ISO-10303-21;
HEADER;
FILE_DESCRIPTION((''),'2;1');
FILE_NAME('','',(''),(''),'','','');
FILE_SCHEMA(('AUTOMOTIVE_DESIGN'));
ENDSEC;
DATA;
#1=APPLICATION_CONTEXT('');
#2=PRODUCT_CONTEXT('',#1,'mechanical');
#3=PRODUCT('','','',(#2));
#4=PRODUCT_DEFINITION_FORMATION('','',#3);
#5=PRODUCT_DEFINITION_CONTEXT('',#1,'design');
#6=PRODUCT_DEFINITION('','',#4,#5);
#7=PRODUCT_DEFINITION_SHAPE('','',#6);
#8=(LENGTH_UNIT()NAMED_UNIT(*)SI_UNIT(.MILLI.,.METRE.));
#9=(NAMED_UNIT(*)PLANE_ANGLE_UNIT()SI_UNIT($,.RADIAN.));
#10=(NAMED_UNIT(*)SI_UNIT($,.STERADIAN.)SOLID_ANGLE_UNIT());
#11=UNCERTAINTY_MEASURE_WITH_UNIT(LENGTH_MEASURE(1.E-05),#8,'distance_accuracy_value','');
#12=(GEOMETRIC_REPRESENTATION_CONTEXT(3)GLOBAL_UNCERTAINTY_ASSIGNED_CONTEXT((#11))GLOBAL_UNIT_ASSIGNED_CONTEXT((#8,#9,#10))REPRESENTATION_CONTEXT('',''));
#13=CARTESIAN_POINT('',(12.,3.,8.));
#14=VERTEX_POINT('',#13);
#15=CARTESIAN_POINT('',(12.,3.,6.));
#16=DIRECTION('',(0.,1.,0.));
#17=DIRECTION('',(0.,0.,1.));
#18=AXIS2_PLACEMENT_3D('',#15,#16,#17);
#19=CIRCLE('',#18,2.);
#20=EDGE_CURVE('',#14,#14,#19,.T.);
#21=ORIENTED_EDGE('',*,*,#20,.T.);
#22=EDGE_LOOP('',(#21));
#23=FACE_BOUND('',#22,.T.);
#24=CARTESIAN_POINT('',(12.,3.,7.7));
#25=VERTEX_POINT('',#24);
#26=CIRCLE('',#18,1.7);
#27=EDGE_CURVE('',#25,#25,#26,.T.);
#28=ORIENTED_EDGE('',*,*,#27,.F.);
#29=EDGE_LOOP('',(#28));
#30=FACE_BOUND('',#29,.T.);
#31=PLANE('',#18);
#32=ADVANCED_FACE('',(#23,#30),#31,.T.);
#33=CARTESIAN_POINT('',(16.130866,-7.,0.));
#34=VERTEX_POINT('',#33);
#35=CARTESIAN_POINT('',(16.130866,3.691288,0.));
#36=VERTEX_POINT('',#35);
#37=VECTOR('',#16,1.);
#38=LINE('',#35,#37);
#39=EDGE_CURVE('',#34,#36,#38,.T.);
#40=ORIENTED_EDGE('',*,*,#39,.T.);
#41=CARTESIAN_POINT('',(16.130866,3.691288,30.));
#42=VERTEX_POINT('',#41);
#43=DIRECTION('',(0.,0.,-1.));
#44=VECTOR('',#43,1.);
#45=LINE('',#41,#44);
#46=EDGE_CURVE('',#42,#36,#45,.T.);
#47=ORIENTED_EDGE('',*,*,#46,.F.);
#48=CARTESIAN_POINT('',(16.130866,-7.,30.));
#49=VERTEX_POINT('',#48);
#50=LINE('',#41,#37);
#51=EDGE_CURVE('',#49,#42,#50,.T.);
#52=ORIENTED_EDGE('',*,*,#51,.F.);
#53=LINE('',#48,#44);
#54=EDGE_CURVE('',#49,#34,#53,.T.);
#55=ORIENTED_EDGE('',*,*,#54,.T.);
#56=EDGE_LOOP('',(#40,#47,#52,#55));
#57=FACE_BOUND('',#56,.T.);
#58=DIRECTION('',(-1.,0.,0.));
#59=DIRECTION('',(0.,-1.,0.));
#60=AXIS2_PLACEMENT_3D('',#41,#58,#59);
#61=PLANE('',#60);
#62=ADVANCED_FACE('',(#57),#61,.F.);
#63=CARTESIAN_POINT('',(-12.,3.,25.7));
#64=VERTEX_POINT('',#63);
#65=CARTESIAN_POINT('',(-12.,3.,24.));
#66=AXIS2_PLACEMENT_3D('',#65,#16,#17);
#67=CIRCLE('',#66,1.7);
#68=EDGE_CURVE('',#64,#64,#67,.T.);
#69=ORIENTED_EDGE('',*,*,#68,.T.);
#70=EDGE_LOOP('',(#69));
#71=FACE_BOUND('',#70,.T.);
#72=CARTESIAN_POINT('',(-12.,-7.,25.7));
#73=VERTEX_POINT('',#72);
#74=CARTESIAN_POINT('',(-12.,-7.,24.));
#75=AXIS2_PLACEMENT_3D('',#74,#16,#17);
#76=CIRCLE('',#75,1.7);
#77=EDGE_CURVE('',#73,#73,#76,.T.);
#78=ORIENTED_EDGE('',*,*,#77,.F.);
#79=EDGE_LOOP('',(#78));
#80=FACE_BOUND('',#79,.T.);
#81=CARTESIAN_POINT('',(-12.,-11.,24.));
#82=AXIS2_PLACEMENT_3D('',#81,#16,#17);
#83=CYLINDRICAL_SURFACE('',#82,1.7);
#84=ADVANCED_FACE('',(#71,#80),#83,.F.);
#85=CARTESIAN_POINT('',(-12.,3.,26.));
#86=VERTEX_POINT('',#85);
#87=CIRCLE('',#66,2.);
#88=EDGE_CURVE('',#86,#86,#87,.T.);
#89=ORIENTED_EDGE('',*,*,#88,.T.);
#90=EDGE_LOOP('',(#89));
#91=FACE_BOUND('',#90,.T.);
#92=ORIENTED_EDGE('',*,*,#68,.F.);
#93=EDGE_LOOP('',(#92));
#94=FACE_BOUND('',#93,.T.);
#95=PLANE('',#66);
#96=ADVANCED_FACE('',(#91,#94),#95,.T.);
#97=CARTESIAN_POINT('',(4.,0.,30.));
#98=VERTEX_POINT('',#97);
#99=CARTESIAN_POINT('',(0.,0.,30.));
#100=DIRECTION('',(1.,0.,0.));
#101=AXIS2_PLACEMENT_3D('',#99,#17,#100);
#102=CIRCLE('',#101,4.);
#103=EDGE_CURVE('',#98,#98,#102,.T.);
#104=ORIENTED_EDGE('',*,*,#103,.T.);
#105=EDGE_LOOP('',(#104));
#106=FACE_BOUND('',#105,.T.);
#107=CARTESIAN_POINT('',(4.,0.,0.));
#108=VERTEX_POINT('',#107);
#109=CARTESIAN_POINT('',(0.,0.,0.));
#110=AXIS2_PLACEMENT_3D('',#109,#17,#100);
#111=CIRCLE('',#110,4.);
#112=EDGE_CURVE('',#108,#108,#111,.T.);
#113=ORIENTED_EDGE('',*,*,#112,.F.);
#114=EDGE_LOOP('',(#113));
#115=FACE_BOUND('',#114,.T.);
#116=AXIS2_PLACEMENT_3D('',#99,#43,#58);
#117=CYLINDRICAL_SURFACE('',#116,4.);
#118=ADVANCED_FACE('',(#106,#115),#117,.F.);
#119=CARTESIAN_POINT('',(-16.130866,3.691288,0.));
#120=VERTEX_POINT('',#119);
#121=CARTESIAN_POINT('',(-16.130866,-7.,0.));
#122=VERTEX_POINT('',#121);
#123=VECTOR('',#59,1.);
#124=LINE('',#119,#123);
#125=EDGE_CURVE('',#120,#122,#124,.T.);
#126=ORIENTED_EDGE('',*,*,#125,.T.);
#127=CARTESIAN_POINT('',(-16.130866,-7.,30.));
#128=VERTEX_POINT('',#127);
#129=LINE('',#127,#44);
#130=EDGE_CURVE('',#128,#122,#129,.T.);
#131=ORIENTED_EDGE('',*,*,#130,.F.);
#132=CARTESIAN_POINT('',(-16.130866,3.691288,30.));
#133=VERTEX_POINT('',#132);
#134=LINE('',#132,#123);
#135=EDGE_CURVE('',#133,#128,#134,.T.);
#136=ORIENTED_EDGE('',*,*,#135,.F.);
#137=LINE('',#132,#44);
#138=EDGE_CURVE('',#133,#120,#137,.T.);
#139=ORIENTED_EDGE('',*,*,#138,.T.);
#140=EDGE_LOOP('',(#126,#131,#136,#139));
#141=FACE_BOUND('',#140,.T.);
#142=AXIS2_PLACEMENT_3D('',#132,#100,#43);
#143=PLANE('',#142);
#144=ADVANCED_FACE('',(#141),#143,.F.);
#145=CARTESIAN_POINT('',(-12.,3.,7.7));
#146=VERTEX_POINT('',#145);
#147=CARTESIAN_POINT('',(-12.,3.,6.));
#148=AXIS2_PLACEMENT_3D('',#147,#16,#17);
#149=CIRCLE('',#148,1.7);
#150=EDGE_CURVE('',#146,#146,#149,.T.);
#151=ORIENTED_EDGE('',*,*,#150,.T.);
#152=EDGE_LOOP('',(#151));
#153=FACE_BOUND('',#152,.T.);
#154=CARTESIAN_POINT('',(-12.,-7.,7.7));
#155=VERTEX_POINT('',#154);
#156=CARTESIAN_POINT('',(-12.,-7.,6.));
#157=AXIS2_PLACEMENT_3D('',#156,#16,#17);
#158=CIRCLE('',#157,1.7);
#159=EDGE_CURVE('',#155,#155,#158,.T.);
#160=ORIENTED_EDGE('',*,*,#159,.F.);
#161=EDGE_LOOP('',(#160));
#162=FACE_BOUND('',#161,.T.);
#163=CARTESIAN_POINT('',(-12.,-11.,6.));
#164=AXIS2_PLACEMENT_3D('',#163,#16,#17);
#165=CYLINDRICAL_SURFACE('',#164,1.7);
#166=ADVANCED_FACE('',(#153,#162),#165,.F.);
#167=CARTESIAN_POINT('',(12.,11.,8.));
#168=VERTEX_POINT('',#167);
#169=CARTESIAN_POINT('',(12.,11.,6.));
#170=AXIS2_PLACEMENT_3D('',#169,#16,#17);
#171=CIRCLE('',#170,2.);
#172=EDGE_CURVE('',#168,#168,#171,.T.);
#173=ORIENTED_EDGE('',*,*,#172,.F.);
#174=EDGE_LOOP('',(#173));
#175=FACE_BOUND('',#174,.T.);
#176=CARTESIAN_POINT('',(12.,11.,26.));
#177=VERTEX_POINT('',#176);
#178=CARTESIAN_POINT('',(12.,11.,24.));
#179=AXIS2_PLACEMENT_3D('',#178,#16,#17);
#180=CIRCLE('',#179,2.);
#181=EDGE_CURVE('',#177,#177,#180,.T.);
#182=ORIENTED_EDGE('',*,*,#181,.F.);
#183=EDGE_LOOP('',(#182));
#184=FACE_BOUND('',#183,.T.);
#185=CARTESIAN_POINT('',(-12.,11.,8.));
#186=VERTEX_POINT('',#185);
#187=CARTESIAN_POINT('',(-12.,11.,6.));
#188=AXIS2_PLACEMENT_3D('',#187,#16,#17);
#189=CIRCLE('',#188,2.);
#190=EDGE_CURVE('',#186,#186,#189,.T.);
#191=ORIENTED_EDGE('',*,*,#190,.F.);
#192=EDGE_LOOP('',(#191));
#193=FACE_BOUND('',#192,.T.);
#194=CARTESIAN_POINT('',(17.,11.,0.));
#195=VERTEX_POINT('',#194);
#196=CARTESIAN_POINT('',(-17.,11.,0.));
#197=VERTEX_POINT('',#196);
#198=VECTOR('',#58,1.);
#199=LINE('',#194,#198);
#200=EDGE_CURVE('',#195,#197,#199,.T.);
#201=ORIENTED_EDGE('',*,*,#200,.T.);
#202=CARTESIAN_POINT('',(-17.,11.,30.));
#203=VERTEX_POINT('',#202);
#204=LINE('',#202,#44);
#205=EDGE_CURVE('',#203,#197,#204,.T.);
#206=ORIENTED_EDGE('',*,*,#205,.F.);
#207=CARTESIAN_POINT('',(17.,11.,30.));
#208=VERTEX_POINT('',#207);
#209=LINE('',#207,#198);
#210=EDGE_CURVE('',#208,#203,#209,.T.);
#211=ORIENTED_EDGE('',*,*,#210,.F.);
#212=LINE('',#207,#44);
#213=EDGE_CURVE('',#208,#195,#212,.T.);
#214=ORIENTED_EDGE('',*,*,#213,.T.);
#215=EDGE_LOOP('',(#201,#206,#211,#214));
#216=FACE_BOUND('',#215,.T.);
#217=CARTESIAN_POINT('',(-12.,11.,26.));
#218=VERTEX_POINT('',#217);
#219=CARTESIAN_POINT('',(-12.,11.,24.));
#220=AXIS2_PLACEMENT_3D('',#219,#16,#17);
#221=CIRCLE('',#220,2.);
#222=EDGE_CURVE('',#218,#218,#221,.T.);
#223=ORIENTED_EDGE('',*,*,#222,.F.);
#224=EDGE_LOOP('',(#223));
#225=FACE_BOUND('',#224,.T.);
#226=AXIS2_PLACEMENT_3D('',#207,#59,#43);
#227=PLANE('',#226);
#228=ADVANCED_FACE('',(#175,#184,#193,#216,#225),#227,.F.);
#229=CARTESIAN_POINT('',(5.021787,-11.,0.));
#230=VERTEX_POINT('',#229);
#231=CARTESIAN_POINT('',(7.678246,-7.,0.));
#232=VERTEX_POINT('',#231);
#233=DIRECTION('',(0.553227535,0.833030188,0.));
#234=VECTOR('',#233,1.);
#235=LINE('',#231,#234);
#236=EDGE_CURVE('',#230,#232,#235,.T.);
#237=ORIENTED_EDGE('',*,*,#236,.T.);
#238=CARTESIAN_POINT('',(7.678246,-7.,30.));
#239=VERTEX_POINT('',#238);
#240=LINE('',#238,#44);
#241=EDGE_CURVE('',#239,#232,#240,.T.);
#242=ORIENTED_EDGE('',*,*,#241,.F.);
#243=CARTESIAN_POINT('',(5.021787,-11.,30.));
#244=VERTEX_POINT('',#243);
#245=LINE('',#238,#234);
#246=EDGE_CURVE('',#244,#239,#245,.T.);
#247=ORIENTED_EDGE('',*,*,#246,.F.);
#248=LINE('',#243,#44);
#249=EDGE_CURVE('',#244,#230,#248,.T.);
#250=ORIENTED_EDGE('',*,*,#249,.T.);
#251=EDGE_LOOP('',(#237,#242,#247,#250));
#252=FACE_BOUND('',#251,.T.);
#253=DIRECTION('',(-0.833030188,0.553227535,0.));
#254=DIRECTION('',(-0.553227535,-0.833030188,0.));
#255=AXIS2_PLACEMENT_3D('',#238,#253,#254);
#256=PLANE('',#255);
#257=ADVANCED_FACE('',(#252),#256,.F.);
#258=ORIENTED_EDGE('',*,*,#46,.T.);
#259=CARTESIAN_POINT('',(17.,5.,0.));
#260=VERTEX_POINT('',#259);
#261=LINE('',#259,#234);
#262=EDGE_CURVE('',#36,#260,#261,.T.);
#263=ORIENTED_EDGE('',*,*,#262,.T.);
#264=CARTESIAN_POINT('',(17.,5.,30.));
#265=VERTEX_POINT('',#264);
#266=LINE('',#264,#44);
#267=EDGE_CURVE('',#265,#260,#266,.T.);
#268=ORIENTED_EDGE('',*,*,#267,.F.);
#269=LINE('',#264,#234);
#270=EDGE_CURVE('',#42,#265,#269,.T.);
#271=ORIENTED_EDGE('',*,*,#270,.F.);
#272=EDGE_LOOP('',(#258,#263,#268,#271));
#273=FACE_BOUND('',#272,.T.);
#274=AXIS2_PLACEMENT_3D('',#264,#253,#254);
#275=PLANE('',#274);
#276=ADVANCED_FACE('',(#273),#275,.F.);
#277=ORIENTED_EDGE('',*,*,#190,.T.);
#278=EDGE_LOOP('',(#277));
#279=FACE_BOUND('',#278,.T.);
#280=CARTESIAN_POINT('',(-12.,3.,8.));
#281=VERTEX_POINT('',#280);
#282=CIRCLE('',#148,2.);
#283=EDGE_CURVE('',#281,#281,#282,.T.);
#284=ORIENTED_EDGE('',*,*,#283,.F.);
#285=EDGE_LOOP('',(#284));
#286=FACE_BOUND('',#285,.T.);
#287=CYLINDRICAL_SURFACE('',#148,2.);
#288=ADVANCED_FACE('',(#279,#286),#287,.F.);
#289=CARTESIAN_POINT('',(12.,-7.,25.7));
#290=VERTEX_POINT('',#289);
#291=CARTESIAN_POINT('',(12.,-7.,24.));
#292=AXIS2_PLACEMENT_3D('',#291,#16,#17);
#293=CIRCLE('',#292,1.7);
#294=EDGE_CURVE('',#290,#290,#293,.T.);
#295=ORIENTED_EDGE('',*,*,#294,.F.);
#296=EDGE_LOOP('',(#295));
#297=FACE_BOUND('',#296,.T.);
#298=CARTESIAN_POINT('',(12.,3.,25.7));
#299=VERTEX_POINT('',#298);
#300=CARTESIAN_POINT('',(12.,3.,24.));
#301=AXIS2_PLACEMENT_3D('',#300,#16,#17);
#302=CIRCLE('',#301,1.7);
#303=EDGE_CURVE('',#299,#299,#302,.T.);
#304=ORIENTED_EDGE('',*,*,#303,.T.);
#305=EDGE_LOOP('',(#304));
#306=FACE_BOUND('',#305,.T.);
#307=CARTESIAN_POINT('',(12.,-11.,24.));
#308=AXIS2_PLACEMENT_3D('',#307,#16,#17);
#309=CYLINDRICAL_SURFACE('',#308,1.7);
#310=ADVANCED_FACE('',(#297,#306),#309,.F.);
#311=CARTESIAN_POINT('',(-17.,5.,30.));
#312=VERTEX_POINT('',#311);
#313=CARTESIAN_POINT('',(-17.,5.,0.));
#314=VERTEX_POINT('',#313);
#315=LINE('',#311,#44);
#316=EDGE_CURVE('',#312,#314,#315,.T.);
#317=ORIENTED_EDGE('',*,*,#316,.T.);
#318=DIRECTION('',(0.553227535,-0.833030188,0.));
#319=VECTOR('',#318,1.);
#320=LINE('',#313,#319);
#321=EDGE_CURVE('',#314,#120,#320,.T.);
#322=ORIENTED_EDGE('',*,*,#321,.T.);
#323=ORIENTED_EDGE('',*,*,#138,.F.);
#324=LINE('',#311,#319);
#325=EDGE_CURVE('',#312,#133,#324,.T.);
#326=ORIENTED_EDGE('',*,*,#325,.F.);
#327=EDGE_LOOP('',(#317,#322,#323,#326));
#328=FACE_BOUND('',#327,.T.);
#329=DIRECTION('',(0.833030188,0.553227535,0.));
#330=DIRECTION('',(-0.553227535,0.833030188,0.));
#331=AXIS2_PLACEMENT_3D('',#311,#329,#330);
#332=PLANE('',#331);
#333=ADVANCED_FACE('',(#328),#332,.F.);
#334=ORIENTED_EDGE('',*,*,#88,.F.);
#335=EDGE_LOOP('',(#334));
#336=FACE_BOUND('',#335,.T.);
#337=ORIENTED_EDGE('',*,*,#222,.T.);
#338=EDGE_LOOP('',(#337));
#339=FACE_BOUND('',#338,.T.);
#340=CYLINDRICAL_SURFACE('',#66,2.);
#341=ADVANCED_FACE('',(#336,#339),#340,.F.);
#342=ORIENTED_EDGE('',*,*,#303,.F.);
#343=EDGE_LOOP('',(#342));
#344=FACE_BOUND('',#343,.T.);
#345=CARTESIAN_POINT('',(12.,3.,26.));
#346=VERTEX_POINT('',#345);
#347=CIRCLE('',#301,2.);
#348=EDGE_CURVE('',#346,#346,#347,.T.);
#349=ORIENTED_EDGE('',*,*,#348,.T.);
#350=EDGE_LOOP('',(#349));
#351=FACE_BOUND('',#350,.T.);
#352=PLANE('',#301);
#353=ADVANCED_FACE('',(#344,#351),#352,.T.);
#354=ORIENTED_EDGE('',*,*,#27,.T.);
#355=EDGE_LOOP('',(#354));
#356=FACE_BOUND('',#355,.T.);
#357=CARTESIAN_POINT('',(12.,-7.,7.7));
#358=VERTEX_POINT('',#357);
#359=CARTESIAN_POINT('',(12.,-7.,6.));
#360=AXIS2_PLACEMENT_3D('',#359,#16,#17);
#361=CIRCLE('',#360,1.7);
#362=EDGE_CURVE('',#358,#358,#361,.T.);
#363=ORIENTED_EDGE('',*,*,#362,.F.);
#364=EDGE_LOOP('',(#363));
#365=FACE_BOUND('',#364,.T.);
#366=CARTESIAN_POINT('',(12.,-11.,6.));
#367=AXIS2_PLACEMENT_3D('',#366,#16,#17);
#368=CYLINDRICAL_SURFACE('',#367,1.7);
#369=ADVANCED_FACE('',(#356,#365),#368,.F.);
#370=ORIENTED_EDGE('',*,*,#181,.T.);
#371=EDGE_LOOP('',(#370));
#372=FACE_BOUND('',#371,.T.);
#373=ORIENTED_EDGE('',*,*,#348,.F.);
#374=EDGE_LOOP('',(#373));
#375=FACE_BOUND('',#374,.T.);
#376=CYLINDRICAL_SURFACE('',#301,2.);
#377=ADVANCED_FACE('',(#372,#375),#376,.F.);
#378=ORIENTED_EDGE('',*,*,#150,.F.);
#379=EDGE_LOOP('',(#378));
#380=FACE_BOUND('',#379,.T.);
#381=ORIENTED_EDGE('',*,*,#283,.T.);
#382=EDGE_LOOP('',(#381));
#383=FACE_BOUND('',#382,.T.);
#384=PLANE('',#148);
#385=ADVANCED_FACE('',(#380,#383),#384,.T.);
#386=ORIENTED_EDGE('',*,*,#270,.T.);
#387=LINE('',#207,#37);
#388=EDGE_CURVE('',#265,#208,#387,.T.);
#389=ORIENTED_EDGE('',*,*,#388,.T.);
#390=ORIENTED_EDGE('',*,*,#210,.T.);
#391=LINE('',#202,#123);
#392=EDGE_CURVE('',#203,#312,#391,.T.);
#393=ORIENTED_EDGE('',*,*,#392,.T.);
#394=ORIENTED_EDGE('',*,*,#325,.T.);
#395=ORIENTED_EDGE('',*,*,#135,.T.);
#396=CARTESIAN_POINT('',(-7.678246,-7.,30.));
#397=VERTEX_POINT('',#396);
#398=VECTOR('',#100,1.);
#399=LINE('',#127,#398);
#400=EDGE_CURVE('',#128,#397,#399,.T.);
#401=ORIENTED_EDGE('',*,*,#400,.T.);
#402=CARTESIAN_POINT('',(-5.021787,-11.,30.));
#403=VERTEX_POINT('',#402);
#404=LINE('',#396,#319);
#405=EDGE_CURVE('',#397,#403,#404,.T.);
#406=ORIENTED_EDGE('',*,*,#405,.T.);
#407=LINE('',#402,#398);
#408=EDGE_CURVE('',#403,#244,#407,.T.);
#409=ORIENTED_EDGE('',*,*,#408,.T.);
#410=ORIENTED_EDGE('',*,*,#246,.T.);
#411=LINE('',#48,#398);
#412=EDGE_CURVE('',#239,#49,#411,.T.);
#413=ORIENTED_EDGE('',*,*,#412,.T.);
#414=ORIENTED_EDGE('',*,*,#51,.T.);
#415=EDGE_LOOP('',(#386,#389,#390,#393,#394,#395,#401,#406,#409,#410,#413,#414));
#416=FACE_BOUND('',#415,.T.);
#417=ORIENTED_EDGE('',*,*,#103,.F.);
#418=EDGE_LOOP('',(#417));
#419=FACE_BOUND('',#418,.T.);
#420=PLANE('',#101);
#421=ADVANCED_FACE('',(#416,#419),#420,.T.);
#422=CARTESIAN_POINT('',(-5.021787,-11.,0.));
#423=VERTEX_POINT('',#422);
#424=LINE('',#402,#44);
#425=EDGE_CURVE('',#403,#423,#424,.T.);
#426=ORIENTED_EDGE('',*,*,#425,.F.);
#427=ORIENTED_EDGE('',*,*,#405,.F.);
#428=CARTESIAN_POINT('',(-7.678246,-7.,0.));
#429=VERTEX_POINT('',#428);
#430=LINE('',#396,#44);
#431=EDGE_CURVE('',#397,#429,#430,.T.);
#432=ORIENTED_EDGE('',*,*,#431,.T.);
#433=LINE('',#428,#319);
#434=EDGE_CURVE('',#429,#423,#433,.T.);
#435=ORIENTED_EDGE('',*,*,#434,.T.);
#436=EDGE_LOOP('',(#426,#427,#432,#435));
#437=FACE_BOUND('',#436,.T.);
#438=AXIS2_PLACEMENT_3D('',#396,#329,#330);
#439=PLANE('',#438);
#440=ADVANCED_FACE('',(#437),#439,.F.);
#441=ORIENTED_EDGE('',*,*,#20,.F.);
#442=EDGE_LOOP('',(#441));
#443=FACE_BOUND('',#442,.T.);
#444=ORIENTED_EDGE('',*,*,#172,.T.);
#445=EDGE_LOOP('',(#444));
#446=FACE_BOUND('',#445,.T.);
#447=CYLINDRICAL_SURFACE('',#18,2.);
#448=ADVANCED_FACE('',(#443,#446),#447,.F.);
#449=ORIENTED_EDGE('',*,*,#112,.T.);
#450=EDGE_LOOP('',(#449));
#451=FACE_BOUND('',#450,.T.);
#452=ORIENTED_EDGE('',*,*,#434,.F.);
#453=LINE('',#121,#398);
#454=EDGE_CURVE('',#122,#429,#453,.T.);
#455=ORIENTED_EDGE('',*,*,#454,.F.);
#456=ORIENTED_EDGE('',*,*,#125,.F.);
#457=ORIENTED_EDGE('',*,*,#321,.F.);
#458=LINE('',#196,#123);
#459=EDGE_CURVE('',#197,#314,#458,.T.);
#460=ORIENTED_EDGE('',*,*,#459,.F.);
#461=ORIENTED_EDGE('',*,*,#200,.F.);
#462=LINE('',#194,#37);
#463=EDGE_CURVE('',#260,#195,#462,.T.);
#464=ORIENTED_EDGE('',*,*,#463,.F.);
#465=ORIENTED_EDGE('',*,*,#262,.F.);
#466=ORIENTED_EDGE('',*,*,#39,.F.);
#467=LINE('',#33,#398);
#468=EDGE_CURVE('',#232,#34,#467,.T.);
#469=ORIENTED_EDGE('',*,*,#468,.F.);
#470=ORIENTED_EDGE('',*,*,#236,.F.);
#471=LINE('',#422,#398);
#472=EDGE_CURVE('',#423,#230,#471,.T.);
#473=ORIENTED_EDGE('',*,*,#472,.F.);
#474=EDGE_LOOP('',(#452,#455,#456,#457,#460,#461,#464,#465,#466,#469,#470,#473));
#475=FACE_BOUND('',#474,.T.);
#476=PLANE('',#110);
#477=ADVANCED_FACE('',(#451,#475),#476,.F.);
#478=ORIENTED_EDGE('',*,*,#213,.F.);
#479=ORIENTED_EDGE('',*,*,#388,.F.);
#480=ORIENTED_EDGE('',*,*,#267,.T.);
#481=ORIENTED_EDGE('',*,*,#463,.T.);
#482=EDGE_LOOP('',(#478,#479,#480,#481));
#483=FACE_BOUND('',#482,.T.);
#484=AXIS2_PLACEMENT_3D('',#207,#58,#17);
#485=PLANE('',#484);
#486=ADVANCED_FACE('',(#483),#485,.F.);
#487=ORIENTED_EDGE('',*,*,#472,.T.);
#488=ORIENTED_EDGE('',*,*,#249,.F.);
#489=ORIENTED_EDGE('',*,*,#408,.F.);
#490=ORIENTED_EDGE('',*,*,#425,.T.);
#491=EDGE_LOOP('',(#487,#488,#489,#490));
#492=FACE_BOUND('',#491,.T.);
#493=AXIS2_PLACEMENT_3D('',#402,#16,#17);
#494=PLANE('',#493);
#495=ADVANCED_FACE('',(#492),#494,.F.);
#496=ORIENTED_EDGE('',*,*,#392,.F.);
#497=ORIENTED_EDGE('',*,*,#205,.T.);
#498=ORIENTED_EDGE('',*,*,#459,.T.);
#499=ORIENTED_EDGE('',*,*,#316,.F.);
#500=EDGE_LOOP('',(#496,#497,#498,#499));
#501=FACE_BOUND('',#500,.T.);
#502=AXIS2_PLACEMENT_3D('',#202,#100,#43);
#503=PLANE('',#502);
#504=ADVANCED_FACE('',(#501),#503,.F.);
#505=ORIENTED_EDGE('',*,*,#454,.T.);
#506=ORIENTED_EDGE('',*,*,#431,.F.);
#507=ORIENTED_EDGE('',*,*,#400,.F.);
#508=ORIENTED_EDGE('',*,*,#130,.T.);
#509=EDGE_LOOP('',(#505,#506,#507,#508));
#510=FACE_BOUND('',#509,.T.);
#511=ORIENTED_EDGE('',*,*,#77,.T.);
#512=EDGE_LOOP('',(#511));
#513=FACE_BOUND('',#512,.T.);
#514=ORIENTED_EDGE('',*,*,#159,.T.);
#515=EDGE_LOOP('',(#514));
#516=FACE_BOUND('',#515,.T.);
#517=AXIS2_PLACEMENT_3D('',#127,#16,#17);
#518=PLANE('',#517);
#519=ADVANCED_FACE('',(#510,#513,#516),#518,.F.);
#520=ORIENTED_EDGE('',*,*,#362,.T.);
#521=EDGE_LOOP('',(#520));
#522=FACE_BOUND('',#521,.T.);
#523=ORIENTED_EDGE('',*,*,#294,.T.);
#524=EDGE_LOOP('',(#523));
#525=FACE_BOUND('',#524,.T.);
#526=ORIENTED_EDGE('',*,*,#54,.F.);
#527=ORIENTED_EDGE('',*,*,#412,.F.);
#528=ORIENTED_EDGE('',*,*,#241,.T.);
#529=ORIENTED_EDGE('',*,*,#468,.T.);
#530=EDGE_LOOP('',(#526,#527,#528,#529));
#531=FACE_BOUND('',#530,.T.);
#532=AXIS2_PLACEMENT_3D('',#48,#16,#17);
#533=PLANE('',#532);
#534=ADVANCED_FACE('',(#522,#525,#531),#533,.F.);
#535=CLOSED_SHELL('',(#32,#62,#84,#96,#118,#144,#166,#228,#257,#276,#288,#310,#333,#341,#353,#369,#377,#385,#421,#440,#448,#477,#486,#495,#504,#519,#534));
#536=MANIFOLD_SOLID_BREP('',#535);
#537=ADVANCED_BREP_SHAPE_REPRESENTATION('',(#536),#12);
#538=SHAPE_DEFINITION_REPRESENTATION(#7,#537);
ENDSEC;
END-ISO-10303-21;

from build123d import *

# Parameters (mm, degrees)
SKETCH_1_R               = 4
EXTRUDE_1_DEPTH          = 30
SKETCH_2_R               = 2
CUT_EXTRUDE_1_DEPTH      = 8
CUT_EXTRUDE_2_DEPTH      = 41.902322672
CUT_EXTRUDE_2_DEPTH_BACK = 41.902322672
SKETCH_4_R               = 1.7


with BuildPart() as part:
    # 草图1 → 凸台-拉伸1 (new body)
    with BuildSketch(Plane.XY):
        Polygon((17, 11), (-17, 11), (-17, 5), (-16.130865539, 3.691288487), (-16.130865539, -7), (-7.678245569, -7), (-5.021787053, -11), (5.021787053, -11), (7.678245569, -7), (16.130865539, -7), (16.130865539, 3.691288487), (17, 5), align=None)
        Circle(SKETCH_1_R, mode=Mode.SUBTRACT)
    extrude(amount=EXTRUDE_1_DEPTH)

    # 草图2 → 切除-拉伸1 (cut)
    with BuildSketch(Plane(origin=(0, 11, 0), x_dir=(1, 0, 0), z_dir=(0, 1, 0))):
        with Locations(Location((-12, -6, 0), (0, 0, 270))):
            Circle(SKETCH_2_R)
        with Locations(Location((-12, -24, 0), (0, 0, 270))):
            Circle(SKETCH_2_R)
        with Locations(Location((12, -6, 0), (0, 0, 270))):
            Circle(SKETCH_2_R)
        with Locations(Location((12, -24, 0), (0, 0, 270))):
            Circle(SKETCH_2_R)
    extrude(amount=-CUT_EXTRUDE_1_DEPTH, mode=Mode.SUBTRACT)

    # 草图4 → 切除-拉伸2 (cut, two sides: drawn at the far end of the back side and taken through both)
    with BuildSketch(Plane(origin=(0, 11, 0), x_dir=(1, 0, 0), z_dir=(0, 1, 0)).offset(-CUT_EXTRUDE_2_DEPTH_BACK)):
        with Locations(Location((-12, -6, 0), (0, 0, 270))):
            Circle(SKETCH_4_R)
        with Locations(Location((-12, -24, 0), (0, 0, 270))):
            Circle(SKETCH_4_R)
        with Locations(Location((12, -6, 0), (0, 0, 270))):
            Circle(SKETCH_4_R)
        with Locations(Location((12, -24, 0), (0, 0, 270))):
            Circle(SKETCH_4_R)
    extrude(amount=CUT_EXTRUDE_2_DEPTH + CUT_EXTRUDE_2_DEPTH_BACK, mode=Mode.SUBTRACT)


solid = part.part
